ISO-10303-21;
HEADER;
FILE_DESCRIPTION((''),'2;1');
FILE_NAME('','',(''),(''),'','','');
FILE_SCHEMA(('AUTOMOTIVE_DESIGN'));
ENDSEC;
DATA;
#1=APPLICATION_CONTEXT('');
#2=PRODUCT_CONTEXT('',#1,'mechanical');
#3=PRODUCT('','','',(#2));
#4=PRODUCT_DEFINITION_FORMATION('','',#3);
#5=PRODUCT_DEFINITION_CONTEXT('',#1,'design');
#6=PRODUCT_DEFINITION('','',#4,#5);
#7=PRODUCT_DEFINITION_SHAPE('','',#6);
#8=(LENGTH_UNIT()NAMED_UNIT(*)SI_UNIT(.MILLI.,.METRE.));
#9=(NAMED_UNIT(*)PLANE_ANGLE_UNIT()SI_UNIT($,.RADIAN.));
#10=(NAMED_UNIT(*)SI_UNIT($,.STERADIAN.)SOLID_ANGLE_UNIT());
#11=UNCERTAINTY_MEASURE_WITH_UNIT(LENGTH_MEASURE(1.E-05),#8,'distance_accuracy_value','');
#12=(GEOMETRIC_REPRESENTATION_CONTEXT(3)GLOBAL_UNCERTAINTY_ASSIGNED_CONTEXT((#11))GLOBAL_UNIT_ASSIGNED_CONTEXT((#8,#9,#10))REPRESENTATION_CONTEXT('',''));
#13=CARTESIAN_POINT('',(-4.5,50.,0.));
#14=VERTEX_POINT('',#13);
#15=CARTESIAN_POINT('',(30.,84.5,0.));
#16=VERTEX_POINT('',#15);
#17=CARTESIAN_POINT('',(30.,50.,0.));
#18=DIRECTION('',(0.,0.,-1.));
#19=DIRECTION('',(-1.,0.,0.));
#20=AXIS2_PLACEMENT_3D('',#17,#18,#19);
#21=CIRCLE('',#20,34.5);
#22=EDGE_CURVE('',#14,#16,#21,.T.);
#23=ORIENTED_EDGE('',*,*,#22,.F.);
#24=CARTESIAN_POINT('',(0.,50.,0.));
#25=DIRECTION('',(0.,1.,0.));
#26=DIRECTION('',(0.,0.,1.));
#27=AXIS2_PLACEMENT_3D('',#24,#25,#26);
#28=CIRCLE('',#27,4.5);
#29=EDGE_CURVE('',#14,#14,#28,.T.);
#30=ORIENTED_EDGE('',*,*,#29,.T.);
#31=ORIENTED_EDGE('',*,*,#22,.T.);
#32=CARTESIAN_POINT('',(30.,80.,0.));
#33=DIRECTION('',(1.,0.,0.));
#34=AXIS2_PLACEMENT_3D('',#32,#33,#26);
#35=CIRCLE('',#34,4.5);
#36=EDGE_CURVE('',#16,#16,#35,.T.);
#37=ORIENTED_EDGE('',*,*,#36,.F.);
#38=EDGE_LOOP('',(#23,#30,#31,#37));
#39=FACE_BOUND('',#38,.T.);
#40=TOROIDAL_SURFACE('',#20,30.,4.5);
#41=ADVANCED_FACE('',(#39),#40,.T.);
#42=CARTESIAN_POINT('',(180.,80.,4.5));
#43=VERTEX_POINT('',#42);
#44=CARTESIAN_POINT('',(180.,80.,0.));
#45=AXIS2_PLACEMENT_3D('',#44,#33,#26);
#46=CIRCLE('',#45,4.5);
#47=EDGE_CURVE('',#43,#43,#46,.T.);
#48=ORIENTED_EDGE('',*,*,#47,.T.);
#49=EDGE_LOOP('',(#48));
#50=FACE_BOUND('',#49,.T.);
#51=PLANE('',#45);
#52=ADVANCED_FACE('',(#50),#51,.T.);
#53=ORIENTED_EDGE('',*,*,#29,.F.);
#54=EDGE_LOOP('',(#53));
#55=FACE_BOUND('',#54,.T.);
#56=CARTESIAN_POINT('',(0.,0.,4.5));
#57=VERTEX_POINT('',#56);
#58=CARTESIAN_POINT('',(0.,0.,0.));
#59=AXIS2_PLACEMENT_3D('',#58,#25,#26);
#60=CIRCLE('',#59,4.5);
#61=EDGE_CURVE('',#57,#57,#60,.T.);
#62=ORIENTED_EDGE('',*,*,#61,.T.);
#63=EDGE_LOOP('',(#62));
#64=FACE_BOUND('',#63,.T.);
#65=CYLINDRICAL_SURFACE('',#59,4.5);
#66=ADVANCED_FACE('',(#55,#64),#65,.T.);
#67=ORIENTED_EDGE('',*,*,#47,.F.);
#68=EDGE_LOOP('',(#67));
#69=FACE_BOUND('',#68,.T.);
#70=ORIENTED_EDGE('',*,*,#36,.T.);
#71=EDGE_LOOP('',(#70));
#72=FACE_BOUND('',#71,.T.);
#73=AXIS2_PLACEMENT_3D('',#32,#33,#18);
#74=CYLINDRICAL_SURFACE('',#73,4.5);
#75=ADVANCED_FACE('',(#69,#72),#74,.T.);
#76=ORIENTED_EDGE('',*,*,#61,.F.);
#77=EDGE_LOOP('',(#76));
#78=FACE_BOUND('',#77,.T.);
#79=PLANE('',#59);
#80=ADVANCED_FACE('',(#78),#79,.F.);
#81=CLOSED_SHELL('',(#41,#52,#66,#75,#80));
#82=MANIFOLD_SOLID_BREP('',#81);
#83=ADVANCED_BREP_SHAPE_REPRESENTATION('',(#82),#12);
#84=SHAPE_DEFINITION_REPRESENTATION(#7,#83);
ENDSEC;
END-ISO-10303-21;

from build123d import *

# Parameters (mm, degrees)
SKETCH1_R = 4.5


with BuildPart() as part:
    # Sweep1: sweep along a path in Sketch2
    with BuildLine(Plane.XY) as sweep1_path:
        Line((0, 0), (0, 50))
        ThreePointArc((0, 50), (8.786796564, 71.213203436), (30, 80))
        Line((30, 80), (180, 80))
    # Sketch1 → Sweep1 (sweep)
    with BuildSketch(Plane(origin=(0, 0, 0), x_dir=(1, 0, 0), z_dir=(0, 1, 0))):
        Circle(SKETCH1_R)
    sweep(path=sweep1_path.line)


solid = part.part
